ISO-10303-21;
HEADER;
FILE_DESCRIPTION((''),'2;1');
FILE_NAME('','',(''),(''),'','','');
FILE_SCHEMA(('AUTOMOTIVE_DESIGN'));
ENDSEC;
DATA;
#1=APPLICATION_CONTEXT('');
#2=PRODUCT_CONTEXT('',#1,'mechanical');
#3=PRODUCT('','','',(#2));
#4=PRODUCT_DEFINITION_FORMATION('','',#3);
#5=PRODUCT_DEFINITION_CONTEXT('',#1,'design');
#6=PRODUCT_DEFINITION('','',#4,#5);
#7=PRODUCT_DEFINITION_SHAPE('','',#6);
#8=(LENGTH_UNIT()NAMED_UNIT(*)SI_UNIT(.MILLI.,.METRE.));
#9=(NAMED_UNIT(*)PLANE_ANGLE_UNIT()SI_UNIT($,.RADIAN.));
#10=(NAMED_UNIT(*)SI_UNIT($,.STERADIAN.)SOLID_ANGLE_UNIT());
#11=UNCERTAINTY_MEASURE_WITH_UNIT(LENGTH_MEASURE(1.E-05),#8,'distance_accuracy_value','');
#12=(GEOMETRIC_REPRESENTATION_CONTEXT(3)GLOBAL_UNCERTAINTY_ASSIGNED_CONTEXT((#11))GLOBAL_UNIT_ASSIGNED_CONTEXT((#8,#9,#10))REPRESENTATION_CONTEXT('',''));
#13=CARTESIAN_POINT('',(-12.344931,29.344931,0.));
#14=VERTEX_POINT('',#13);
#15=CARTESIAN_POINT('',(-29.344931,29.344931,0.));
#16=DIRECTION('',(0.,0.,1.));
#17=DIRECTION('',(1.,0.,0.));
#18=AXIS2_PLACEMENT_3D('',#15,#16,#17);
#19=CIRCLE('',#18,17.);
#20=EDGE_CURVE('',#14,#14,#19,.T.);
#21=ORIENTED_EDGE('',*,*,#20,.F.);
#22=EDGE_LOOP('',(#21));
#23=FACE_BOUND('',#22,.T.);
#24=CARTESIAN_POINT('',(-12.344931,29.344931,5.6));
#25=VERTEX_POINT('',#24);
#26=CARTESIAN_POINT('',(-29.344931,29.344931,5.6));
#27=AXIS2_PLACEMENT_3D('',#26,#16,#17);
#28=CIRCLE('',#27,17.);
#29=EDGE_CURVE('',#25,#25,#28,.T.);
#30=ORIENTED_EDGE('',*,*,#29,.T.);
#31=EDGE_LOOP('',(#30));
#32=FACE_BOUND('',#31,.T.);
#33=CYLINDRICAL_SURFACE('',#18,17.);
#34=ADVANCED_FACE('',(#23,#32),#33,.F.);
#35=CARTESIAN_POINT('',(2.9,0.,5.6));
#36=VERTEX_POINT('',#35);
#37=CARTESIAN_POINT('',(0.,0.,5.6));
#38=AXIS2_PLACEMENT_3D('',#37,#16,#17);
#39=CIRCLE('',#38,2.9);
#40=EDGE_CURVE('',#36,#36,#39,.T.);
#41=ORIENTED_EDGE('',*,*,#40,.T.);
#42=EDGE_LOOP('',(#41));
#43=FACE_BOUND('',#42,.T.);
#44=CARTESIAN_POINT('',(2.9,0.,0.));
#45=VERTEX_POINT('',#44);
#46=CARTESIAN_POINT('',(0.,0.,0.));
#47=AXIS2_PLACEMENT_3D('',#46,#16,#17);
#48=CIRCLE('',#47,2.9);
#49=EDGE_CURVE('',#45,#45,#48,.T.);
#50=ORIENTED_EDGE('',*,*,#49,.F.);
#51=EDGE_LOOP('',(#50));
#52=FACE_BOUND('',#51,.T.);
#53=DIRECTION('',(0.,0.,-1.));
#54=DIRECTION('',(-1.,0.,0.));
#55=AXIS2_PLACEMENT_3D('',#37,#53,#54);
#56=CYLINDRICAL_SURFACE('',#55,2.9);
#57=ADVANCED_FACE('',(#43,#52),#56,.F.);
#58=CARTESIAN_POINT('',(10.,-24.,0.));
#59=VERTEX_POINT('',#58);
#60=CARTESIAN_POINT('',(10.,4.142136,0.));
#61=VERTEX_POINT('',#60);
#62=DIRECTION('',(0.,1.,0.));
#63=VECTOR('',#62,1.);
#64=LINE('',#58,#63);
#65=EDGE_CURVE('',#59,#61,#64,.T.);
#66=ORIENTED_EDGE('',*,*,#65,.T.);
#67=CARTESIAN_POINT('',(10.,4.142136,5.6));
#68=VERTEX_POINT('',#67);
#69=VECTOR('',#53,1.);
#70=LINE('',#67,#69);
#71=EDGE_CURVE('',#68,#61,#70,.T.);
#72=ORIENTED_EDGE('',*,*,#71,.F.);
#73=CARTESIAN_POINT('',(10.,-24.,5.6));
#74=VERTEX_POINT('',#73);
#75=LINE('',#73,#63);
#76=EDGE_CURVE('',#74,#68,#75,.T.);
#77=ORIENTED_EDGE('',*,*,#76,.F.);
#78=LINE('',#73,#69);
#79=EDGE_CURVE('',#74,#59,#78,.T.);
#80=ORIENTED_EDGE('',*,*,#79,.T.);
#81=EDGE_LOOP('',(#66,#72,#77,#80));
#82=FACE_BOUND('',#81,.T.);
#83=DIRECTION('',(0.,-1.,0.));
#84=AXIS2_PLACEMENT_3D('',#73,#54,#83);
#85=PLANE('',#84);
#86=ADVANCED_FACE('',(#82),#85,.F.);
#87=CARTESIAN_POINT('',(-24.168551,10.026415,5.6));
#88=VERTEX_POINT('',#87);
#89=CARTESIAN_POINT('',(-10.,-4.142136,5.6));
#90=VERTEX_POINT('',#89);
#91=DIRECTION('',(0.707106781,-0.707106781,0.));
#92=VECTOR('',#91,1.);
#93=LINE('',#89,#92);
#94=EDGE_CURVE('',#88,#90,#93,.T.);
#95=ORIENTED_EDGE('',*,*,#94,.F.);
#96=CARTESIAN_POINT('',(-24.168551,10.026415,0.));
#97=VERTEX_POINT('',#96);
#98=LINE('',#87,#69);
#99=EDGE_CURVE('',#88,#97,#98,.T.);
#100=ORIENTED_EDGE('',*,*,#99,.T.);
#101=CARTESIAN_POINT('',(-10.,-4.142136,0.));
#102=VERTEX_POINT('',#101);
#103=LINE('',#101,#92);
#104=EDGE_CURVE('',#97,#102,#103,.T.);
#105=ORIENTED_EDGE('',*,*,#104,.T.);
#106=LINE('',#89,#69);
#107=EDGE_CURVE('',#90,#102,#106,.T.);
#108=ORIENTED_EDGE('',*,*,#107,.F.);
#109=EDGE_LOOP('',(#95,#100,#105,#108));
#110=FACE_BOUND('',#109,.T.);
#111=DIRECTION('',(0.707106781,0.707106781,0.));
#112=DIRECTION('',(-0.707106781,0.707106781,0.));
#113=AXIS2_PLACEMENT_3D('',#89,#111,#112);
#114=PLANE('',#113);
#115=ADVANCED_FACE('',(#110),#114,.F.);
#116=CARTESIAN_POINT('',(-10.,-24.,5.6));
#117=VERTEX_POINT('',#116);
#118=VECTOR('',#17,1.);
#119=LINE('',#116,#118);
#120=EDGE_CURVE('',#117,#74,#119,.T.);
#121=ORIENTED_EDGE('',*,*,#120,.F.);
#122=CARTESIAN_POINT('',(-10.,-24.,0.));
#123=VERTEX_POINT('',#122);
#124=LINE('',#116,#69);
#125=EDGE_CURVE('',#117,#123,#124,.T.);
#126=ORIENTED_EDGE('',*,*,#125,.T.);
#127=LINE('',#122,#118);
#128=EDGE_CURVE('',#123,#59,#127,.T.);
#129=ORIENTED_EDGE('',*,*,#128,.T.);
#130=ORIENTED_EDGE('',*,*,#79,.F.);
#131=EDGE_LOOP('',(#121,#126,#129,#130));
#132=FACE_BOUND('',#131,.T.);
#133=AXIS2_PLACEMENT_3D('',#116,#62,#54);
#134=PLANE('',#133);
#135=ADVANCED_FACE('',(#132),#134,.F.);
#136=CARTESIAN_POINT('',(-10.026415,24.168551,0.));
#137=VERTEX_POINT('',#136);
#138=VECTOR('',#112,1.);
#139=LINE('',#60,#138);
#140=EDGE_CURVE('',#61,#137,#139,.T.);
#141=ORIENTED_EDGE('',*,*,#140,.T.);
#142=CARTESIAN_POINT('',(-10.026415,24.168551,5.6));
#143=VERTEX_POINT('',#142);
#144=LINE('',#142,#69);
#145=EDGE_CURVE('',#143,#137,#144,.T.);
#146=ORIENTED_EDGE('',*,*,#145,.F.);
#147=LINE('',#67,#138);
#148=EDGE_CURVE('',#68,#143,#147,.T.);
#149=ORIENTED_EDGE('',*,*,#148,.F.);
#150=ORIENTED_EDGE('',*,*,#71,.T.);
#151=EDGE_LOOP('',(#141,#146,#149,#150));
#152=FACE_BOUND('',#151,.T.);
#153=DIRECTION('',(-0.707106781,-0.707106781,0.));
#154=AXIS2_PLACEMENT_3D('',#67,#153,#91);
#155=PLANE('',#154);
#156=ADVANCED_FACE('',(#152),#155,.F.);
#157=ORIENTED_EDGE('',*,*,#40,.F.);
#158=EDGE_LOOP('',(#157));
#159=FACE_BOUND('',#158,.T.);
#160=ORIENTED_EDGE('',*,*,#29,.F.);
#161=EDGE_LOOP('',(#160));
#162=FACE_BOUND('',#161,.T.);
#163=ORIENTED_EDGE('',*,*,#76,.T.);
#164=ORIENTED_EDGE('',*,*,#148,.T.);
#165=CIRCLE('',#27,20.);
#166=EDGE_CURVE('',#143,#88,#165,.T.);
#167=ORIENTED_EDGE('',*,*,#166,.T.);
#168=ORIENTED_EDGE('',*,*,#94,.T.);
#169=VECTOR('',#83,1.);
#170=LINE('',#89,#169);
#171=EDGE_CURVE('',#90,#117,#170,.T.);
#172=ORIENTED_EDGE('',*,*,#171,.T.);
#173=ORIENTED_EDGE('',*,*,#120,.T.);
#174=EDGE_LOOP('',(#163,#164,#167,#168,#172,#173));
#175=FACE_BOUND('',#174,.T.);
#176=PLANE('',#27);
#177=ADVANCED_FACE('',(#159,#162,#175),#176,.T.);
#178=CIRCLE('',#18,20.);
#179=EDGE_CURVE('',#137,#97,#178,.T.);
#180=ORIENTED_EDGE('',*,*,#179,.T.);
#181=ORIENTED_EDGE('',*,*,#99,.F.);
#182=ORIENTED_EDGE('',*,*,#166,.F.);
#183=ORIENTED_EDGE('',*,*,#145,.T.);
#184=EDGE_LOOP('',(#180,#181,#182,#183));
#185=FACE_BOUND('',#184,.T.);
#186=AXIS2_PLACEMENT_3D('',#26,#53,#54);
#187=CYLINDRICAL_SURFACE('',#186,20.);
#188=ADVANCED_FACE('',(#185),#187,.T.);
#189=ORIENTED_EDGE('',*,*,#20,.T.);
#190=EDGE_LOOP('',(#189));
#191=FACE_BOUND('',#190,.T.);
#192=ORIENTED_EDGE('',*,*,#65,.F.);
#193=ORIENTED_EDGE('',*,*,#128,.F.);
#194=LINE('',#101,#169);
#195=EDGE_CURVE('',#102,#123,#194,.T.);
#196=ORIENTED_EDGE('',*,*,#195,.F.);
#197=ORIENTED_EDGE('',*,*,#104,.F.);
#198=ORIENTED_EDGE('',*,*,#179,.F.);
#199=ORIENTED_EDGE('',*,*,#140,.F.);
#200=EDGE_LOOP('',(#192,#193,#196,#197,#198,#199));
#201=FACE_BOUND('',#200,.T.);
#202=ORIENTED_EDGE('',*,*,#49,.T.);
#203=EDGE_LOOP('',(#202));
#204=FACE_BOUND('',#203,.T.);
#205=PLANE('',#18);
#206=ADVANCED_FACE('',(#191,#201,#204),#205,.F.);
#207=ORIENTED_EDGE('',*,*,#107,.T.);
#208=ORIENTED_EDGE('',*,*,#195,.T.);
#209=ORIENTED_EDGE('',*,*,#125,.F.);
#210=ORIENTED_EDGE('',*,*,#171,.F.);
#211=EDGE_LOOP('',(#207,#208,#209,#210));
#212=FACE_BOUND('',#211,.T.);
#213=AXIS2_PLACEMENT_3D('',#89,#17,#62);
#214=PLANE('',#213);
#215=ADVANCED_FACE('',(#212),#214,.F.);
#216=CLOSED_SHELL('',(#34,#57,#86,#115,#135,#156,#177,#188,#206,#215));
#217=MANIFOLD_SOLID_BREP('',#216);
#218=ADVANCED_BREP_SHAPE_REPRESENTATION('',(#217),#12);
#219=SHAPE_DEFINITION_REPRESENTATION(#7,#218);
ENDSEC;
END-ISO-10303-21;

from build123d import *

# Parameters (mm, degrees)
SKETCH1_R           = 2.9
BOSS_EXTRUDE1_DEPTH = 5.6
SKETCH2_R           = 17
CUT_EXTRUDE1_DEPTH  = 71.008603139


with BuildPart() as part:
    # Sketch1 → Boss-Extrude1 (new body)
    with BuildSketch(Plane.XY):
        with BuildLine():
            Line((-10, -4.142135624), (-10, -24))
            Line((-10, -24), (10, -24))
            Line((10, -24), (10, 4.142135624))
            Line((10, 4.142135624), (-10.026414893, 24.168550517))
            ThreePointArc((-10.026414893, 24.168550517), (-43.487067043, 43.487067043), (-24.168550517, 10.026414893))
            Line((-24.168550517, 10.026414893), (-10, -4.142135624))
        make_face()
        Circle(SKETCH1_R, mode=Mode.SUBTRACT)
    extrude(amount=BOSS_EXTRUDE1_DEPTH)

    # Sketch2 → Cut-Extrude1 (cut, through all)
    with BuildSketch(Plane.XY.offset(5.6)):
        with Locations((-29.344931419, 29.344931419)):
            Circle(SKETCH2_R)
    extrude(amount=-CUT_EXTRUDE1_DEPTH, mode=Mode.SUBTRACT)


solid = part.part
